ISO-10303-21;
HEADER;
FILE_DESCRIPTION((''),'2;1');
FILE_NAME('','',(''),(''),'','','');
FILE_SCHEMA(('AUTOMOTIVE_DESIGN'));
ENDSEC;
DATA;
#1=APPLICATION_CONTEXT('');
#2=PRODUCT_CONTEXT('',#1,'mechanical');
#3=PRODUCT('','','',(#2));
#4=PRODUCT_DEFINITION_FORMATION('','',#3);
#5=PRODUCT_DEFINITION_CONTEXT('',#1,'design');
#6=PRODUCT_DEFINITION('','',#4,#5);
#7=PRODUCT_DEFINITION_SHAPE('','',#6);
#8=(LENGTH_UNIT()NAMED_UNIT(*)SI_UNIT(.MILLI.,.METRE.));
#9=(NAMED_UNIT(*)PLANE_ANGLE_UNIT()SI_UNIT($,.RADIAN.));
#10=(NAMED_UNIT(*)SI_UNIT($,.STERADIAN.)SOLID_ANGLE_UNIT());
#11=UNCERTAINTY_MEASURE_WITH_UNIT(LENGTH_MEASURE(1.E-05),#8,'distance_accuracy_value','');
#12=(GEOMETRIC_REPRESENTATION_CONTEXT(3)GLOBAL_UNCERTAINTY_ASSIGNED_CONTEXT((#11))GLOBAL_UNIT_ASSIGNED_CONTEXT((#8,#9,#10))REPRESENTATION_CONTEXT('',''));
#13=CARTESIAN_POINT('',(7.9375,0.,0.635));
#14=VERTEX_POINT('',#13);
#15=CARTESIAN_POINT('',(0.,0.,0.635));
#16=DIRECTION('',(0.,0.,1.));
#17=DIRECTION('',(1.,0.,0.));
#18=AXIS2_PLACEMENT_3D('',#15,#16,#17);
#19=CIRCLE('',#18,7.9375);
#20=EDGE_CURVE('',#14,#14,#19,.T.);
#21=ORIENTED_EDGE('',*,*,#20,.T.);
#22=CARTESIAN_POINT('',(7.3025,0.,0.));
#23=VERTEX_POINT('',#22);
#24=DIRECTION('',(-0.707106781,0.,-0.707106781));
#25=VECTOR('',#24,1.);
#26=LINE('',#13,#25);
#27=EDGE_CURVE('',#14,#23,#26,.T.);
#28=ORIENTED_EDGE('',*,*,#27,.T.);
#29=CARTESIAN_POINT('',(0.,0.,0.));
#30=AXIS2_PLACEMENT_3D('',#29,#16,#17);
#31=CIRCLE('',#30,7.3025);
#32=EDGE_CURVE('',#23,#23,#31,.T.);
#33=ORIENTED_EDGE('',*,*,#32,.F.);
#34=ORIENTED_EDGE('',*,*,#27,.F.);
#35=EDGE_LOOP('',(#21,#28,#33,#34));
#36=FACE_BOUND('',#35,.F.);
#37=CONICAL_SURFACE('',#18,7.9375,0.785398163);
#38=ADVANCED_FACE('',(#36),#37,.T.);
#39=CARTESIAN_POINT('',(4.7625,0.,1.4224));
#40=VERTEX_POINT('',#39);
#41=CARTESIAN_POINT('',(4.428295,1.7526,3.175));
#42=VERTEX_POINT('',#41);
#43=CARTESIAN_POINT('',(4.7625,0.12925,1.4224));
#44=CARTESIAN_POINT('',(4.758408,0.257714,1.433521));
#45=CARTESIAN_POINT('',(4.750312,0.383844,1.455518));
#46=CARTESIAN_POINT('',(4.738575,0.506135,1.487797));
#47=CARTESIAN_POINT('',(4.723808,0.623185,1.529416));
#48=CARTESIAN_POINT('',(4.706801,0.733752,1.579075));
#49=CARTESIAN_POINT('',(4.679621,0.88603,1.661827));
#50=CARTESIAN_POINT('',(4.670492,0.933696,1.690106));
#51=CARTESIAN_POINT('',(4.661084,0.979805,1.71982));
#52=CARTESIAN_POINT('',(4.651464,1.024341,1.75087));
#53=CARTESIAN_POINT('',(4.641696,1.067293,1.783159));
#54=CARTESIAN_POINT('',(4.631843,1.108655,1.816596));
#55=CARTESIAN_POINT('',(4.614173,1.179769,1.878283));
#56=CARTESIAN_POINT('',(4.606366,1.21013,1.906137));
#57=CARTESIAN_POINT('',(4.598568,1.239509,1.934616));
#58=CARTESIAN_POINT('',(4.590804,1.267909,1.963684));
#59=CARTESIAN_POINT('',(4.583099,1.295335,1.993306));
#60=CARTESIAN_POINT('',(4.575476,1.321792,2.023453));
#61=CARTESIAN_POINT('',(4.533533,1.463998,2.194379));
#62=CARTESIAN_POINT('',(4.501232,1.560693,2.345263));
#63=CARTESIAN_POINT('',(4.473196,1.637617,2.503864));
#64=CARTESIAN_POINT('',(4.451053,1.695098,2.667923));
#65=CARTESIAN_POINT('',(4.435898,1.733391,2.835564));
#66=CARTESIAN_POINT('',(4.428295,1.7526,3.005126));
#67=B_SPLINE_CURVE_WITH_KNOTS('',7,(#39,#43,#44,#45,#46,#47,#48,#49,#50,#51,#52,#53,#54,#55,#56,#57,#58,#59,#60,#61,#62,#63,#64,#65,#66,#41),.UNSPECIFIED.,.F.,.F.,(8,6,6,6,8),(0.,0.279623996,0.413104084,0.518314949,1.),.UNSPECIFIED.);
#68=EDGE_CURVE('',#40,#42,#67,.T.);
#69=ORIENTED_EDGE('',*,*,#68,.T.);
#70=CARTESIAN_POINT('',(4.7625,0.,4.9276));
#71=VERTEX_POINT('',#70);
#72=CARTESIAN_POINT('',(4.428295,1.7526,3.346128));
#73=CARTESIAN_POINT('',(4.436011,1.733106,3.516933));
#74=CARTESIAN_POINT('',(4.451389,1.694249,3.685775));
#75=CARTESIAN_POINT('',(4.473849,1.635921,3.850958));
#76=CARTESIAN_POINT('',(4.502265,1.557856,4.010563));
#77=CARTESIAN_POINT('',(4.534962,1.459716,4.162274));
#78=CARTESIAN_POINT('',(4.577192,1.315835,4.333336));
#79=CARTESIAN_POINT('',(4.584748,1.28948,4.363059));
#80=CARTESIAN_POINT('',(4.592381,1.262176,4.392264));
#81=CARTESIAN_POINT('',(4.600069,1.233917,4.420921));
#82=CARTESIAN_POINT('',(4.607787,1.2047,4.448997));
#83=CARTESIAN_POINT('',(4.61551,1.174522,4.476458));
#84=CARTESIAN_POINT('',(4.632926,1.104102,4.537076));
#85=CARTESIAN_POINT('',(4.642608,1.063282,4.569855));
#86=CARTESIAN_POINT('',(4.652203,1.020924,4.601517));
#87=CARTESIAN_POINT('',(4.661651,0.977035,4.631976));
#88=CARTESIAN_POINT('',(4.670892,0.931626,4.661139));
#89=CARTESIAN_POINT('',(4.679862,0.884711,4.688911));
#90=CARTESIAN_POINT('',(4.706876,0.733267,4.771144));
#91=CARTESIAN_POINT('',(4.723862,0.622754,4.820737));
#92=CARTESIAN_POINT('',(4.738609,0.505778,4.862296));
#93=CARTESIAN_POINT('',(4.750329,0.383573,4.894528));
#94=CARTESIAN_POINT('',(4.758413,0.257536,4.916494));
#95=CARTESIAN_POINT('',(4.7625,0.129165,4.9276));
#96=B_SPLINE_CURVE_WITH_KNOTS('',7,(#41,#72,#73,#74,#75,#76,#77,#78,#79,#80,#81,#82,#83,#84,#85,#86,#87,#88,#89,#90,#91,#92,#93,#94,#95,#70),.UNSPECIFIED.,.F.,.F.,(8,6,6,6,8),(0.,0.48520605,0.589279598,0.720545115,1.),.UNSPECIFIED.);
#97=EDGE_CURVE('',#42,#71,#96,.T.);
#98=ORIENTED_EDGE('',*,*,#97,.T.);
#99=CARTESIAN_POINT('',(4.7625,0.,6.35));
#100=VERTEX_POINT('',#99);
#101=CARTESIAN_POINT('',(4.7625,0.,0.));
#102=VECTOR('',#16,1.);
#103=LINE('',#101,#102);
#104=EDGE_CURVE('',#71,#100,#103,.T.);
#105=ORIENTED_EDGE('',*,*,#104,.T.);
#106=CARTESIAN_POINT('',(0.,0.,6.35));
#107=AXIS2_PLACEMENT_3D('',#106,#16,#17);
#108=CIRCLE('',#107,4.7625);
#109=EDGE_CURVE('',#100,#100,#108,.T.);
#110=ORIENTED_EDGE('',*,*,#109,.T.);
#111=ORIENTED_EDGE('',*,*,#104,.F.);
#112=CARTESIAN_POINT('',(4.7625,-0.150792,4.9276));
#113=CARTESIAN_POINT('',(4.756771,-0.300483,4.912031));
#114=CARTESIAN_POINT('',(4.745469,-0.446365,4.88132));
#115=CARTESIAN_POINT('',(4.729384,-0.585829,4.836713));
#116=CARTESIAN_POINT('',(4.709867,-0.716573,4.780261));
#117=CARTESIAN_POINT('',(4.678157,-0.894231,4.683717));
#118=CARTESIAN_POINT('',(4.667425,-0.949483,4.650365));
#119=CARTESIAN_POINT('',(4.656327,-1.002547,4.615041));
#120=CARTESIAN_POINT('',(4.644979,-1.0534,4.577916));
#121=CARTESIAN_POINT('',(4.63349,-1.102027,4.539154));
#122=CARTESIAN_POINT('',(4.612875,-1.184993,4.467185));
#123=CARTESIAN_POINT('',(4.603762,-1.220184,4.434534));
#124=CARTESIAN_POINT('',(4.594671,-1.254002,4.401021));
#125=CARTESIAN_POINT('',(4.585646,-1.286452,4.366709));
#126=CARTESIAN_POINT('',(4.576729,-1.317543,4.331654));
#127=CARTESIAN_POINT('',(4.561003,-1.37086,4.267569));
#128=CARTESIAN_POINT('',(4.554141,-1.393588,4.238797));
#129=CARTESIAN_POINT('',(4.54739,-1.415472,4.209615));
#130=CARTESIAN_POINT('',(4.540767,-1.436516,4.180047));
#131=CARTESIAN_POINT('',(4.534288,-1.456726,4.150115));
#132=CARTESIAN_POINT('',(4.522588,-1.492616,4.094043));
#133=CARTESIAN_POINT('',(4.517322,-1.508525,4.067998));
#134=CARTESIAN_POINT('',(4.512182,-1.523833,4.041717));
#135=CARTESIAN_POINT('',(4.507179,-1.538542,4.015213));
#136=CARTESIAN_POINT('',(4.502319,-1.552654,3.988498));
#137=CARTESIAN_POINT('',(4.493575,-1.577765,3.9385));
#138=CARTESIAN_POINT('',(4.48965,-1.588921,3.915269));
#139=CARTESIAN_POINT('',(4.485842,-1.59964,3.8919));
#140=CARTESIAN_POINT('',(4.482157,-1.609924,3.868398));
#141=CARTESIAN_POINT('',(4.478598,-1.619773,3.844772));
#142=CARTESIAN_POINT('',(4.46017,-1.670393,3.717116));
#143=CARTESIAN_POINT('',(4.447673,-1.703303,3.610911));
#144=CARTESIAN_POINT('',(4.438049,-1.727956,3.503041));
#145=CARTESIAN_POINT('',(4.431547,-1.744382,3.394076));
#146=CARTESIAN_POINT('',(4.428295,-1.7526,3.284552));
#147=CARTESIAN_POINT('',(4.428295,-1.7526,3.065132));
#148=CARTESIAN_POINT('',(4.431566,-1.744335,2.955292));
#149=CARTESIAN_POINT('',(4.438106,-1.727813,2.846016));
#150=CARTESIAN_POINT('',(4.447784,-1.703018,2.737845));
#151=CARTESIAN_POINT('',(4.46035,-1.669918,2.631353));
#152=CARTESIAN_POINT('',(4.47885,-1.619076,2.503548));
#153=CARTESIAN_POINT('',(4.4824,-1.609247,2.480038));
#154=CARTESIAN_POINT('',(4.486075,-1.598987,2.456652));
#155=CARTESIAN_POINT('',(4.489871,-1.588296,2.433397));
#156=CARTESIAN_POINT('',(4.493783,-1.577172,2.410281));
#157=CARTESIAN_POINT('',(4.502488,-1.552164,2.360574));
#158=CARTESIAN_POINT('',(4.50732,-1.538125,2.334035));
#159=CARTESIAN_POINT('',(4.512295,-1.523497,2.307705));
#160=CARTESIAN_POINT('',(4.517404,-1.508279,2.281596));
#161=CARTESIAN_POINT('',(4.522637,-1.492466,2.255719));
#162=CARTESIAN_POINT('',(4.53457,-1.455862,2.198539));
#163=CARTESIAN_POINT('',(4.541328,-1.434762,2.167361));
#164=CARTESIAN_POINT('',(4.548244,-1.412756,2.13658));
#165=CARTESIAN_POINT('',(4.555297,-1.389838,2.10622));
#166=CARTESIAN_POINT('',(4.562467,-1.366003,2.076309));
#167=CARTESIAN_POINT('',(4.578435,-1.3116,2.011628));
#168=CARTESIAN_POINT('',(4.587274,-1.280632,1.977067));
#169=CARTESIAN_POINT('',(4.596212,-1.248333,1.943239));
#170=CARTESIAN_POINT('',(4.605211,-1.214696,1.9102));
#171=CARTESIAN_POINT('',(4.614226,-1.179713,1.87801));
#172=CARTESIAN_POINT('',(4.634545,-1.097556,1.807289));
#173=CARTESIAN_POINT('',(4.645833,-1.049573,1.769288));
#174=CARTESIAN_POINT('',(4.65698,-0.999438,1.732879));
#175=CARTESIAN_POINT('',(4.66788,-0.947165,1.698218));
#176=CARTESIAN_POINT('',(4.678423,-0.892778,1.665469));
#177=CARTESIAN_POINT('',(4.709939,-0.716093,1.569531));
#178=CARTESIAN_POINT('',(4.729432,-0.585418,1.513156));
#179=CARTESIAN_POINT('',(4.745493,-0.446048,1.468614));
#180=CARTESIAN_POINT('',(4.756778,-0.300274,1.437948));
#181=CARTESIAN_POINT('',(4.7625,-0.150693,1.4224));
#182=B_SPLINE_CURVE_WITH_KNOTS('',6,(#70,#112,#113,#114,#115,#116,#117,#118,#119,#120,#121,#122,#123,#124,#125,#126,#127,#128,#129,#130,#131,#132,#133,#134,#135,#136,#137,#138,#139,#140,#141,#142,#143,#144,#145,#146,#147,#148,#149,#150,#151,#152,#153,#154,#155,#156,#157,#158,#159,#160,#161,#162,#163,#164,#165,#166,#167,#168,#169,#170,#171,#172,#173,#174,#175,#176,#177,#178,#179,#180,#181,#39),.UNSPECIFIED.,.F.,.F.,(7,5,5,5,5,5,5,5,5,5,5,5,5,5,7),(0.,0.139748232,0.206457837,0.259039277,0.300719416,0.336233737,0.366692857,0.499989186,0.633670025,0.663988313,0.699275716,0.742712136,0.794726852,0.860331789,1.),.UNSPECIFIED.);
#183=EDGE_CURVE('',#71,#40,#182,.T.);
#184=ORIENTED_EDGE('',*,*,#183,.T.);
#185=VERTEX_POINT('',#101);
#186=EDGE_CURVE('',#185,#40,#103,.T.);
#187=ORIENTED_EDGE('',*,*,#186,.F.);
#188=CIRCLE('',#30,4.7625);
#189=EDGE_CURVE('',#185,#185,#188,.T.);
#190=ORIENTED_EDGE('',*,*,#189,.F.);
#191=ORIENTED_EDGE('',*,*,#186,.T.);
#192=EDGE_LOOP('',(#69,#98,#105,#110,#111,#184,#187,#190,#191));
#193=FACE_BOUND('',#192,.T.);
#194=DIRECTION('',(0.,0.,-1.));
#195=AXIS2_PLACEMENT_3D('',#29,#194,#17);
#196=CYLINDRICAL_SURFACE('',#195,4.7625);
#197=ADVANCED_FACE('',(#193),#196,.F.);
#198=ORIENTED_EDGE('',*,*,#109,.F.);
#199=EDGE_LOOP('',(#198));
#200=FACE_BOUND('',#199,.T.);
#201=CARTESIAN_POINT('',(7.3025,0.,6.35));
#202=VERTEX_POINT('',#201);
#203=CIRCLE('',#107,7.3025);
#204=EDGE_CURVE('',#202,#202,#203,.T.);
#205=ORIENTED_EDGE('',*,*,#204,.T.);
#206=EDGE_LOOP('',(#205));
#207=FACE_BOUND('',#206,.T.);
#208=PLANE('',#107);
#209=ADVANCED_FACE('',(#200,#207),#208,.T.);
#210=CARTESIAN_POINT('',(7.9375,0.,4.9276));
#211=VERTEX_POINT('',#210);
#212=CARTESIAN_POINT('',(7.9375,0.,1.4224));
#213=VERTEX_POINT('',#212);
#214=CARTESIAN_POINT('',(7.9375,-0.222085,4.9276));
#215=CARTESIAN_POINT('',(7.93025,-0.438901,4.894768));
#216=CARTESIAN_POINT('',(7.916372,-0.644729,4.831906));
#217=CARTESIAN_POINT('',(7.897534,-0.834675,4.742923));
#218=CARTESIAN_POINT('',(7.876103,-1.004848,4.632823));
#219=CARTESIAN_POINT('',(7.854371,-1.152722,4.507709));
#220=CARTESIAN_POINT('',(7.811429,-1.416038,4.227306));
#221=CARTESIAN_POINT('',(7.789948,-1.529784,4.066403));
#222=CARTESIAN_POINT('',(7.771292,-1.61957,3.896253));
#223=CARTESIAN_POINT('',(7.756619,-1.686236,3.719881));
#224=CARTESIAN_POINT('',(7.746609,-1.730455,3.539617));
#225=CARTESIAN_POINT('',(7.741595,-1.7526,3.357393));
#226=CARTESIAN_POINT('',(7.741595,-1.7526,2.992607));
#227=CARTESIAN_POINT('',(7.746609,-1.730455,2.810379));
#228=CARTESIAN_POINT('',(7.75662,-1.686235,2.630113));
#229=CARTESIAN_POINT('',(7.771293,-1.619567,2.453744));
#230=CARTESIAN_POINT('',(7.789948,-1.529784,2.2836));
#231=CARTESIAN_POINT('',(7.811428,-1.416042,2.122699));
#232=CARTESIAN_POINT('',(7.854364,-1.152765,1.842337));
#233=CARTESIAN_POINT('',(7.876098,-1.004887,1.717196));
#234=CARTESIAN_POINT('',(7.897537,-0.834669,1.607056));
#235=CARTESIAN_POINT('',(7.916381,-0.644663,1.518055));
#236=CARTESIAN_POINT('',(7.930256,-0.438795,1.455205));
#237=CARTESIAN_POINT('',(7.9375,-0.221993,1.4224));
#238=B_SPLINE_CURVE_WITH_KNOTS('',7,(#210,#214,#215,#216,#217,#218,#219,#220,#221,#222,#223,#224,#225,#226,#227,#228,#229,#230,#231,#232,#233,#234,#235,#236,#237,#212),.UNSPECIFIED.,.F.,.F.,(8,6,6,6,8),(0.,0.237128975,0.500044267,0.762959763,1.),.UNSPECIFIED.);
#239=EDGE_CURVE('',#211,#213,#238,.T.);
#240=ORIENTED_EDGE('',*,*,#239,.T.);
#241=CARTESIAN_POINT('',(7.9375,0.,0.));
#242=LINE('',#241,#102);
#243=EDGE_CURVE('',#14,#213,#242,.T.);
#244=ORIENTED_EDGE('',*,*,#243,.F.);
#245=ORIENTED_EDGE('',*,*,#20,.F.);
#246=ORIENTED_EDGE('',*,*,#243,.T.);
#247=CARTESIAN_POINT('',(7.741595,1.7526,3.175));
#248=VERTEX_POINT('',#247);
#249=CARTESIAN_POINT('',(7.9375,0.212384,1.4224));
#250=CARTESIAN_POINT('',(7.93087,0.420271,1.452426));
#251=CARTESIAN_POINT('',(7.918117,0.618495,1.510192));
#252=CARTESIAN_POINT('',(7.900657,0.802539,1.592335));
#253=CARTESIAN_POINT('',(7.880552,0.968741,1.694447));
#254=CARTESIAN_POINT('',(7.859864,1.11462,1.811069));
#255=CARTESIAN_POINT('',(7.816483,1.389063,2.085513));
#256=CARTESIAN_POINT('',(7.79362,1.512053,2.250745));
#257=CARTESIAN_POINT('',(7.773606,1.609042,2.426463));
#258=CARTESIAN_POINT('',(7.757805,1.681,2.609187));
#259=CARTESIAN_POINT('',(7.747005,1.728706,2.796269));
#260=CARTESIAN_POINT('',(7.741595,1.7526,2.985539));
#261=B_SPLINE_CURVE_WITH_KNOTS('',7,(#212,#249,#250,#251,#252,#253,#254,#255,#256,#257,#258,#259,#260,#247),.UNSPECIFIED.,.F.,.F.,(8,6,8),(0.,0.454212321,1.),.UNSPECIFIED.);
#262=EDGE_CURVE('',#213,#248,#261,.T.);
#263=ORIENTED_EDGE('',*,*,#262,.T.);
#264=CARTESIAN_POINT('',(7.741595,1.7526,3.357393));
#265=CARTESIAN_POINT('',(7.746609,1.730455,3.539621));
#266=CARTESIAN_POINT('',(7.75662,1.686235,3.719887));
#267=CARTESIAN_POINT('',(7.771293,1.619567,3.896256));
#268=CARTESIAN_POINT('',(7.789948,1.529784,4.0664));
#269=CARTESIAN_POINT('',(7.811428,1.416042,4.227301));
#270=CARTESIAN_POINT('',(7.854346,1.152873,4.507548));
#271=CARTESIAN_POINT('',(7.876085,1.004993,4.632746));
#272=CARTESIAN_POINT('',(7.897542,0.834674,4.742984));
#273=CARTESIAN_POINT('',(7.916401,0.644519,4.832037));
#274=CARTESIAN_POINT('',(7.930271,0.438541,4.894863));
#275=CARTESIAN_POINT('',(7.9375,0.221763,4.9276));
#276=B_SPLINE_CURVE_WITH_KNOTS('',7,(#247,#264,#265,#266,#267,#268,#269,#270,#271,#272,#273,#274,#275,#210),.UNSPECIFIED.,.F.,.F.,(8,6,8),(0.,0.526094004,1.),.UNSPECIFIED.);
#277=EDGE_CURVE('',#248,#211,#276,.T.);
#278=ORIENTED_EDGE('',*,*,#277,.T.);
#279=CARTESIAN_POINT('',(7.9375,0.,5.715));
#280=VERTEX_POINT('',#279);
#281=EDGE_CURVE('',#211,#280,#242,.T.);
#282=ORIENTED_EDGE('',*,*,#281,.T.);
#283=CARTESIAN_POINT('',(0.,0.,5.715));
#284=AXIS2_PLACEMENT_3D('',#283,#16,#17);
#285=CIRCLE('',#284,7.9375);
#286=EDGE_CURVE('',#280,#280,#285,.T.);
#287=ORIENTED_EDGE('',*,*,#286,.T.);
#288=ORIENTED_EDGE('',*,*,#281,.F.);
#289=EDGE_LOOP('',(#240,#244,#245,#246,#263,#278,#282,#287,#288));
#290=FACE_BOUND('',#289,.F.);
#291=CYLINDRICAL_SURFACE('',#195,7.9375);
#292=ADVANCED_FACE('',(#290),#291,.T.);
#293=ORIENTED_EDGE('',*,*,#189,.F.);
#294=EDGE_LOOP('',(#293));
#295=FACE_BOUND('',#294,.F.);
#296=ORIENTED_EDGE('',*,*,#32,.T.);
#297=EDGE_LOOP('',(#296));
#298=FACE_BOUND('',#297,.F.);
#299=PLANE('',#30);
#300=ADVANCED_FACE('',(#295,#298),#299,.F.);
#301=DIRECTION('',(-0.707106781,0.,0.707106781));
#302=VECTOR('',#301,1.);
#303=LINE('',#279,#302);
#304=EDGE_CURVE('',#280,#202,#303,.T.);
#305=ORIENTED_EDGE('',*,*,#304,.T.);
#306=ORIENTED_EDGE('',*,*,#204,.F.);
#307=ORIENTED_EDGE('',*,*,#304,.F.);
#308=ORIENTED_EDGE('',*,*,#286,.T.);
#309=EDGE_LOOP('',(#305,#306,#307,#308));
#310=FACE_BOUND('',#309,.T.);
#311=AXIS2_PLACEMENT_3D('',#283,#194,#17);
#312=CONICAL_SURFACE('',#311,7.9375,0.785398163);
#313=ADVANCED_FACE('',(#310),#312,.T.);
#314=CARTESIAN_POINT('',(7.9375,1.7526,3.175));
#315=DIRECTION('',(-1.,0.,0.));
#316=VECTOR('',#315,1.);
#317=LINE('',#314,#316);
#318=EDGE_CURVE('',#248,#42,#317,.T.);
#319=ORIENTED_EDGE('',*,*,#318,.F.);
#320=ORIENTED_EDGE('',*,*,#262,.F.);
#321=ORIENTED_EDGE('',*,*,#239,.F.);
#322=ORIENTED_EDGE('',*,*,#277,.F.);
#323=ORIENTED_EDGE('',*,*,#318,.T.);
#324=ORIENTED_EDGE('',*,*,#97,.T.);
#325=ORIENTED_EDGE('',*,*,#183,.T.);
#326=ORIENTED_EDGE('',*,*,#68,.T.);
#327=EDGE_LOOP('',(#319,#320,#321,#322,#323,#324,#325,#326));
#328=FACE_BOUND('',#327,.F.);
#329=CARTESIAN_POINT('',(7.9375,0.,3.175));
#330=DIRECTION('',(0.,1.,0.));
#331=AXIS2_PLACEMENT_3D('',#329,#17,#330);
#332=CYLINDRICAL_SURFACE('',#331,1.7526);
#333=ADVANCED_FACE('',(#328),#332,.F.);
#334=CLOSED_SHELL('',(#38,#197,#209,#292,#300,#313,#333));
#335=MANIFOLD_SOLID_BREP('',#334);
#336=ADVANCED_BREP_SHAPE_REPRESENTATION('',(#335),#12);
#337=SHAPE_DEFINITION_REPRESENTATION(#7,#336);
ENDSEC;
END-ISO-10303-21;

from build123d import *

# Parameters (mm, degrees)
F0_R     = 7.9375
F0_R_2   = 4.7625
F1_DEPTH = 6.35
F3_R     = 1.7526
F4_DEPTH = 5.08
F5_SIZE  = 0.635


with BuildPart() as f1:
    # F0 (on Top) → F1 (new body)
    with BuildSketch(Plane.XY):
        Circle(F0_R)
        Circle(F0_R_2, mode=Mode.SUBTRACT)
    extrude(amount=F1_DEPTH)

    # F3 (on offset) → F4 (cut)
    with BuildSketch(Plane.YZ.offset(7.9375)):
        with Locations((0, 3.175)):
            Circle(F3_R)
    extrude(amount=-F4_DEPTH, mode=Mode.SUBTRACT)

    # F5
    f5_edges = [f1.edges().sort_by_distance(p)[0] for p in [
        (-7.9375, 0, 6.35),
        (-7.9375, 0, 0),
    ]]
    chamfer(f5_edges, length=F5_SIZE)


solid = f1.part
